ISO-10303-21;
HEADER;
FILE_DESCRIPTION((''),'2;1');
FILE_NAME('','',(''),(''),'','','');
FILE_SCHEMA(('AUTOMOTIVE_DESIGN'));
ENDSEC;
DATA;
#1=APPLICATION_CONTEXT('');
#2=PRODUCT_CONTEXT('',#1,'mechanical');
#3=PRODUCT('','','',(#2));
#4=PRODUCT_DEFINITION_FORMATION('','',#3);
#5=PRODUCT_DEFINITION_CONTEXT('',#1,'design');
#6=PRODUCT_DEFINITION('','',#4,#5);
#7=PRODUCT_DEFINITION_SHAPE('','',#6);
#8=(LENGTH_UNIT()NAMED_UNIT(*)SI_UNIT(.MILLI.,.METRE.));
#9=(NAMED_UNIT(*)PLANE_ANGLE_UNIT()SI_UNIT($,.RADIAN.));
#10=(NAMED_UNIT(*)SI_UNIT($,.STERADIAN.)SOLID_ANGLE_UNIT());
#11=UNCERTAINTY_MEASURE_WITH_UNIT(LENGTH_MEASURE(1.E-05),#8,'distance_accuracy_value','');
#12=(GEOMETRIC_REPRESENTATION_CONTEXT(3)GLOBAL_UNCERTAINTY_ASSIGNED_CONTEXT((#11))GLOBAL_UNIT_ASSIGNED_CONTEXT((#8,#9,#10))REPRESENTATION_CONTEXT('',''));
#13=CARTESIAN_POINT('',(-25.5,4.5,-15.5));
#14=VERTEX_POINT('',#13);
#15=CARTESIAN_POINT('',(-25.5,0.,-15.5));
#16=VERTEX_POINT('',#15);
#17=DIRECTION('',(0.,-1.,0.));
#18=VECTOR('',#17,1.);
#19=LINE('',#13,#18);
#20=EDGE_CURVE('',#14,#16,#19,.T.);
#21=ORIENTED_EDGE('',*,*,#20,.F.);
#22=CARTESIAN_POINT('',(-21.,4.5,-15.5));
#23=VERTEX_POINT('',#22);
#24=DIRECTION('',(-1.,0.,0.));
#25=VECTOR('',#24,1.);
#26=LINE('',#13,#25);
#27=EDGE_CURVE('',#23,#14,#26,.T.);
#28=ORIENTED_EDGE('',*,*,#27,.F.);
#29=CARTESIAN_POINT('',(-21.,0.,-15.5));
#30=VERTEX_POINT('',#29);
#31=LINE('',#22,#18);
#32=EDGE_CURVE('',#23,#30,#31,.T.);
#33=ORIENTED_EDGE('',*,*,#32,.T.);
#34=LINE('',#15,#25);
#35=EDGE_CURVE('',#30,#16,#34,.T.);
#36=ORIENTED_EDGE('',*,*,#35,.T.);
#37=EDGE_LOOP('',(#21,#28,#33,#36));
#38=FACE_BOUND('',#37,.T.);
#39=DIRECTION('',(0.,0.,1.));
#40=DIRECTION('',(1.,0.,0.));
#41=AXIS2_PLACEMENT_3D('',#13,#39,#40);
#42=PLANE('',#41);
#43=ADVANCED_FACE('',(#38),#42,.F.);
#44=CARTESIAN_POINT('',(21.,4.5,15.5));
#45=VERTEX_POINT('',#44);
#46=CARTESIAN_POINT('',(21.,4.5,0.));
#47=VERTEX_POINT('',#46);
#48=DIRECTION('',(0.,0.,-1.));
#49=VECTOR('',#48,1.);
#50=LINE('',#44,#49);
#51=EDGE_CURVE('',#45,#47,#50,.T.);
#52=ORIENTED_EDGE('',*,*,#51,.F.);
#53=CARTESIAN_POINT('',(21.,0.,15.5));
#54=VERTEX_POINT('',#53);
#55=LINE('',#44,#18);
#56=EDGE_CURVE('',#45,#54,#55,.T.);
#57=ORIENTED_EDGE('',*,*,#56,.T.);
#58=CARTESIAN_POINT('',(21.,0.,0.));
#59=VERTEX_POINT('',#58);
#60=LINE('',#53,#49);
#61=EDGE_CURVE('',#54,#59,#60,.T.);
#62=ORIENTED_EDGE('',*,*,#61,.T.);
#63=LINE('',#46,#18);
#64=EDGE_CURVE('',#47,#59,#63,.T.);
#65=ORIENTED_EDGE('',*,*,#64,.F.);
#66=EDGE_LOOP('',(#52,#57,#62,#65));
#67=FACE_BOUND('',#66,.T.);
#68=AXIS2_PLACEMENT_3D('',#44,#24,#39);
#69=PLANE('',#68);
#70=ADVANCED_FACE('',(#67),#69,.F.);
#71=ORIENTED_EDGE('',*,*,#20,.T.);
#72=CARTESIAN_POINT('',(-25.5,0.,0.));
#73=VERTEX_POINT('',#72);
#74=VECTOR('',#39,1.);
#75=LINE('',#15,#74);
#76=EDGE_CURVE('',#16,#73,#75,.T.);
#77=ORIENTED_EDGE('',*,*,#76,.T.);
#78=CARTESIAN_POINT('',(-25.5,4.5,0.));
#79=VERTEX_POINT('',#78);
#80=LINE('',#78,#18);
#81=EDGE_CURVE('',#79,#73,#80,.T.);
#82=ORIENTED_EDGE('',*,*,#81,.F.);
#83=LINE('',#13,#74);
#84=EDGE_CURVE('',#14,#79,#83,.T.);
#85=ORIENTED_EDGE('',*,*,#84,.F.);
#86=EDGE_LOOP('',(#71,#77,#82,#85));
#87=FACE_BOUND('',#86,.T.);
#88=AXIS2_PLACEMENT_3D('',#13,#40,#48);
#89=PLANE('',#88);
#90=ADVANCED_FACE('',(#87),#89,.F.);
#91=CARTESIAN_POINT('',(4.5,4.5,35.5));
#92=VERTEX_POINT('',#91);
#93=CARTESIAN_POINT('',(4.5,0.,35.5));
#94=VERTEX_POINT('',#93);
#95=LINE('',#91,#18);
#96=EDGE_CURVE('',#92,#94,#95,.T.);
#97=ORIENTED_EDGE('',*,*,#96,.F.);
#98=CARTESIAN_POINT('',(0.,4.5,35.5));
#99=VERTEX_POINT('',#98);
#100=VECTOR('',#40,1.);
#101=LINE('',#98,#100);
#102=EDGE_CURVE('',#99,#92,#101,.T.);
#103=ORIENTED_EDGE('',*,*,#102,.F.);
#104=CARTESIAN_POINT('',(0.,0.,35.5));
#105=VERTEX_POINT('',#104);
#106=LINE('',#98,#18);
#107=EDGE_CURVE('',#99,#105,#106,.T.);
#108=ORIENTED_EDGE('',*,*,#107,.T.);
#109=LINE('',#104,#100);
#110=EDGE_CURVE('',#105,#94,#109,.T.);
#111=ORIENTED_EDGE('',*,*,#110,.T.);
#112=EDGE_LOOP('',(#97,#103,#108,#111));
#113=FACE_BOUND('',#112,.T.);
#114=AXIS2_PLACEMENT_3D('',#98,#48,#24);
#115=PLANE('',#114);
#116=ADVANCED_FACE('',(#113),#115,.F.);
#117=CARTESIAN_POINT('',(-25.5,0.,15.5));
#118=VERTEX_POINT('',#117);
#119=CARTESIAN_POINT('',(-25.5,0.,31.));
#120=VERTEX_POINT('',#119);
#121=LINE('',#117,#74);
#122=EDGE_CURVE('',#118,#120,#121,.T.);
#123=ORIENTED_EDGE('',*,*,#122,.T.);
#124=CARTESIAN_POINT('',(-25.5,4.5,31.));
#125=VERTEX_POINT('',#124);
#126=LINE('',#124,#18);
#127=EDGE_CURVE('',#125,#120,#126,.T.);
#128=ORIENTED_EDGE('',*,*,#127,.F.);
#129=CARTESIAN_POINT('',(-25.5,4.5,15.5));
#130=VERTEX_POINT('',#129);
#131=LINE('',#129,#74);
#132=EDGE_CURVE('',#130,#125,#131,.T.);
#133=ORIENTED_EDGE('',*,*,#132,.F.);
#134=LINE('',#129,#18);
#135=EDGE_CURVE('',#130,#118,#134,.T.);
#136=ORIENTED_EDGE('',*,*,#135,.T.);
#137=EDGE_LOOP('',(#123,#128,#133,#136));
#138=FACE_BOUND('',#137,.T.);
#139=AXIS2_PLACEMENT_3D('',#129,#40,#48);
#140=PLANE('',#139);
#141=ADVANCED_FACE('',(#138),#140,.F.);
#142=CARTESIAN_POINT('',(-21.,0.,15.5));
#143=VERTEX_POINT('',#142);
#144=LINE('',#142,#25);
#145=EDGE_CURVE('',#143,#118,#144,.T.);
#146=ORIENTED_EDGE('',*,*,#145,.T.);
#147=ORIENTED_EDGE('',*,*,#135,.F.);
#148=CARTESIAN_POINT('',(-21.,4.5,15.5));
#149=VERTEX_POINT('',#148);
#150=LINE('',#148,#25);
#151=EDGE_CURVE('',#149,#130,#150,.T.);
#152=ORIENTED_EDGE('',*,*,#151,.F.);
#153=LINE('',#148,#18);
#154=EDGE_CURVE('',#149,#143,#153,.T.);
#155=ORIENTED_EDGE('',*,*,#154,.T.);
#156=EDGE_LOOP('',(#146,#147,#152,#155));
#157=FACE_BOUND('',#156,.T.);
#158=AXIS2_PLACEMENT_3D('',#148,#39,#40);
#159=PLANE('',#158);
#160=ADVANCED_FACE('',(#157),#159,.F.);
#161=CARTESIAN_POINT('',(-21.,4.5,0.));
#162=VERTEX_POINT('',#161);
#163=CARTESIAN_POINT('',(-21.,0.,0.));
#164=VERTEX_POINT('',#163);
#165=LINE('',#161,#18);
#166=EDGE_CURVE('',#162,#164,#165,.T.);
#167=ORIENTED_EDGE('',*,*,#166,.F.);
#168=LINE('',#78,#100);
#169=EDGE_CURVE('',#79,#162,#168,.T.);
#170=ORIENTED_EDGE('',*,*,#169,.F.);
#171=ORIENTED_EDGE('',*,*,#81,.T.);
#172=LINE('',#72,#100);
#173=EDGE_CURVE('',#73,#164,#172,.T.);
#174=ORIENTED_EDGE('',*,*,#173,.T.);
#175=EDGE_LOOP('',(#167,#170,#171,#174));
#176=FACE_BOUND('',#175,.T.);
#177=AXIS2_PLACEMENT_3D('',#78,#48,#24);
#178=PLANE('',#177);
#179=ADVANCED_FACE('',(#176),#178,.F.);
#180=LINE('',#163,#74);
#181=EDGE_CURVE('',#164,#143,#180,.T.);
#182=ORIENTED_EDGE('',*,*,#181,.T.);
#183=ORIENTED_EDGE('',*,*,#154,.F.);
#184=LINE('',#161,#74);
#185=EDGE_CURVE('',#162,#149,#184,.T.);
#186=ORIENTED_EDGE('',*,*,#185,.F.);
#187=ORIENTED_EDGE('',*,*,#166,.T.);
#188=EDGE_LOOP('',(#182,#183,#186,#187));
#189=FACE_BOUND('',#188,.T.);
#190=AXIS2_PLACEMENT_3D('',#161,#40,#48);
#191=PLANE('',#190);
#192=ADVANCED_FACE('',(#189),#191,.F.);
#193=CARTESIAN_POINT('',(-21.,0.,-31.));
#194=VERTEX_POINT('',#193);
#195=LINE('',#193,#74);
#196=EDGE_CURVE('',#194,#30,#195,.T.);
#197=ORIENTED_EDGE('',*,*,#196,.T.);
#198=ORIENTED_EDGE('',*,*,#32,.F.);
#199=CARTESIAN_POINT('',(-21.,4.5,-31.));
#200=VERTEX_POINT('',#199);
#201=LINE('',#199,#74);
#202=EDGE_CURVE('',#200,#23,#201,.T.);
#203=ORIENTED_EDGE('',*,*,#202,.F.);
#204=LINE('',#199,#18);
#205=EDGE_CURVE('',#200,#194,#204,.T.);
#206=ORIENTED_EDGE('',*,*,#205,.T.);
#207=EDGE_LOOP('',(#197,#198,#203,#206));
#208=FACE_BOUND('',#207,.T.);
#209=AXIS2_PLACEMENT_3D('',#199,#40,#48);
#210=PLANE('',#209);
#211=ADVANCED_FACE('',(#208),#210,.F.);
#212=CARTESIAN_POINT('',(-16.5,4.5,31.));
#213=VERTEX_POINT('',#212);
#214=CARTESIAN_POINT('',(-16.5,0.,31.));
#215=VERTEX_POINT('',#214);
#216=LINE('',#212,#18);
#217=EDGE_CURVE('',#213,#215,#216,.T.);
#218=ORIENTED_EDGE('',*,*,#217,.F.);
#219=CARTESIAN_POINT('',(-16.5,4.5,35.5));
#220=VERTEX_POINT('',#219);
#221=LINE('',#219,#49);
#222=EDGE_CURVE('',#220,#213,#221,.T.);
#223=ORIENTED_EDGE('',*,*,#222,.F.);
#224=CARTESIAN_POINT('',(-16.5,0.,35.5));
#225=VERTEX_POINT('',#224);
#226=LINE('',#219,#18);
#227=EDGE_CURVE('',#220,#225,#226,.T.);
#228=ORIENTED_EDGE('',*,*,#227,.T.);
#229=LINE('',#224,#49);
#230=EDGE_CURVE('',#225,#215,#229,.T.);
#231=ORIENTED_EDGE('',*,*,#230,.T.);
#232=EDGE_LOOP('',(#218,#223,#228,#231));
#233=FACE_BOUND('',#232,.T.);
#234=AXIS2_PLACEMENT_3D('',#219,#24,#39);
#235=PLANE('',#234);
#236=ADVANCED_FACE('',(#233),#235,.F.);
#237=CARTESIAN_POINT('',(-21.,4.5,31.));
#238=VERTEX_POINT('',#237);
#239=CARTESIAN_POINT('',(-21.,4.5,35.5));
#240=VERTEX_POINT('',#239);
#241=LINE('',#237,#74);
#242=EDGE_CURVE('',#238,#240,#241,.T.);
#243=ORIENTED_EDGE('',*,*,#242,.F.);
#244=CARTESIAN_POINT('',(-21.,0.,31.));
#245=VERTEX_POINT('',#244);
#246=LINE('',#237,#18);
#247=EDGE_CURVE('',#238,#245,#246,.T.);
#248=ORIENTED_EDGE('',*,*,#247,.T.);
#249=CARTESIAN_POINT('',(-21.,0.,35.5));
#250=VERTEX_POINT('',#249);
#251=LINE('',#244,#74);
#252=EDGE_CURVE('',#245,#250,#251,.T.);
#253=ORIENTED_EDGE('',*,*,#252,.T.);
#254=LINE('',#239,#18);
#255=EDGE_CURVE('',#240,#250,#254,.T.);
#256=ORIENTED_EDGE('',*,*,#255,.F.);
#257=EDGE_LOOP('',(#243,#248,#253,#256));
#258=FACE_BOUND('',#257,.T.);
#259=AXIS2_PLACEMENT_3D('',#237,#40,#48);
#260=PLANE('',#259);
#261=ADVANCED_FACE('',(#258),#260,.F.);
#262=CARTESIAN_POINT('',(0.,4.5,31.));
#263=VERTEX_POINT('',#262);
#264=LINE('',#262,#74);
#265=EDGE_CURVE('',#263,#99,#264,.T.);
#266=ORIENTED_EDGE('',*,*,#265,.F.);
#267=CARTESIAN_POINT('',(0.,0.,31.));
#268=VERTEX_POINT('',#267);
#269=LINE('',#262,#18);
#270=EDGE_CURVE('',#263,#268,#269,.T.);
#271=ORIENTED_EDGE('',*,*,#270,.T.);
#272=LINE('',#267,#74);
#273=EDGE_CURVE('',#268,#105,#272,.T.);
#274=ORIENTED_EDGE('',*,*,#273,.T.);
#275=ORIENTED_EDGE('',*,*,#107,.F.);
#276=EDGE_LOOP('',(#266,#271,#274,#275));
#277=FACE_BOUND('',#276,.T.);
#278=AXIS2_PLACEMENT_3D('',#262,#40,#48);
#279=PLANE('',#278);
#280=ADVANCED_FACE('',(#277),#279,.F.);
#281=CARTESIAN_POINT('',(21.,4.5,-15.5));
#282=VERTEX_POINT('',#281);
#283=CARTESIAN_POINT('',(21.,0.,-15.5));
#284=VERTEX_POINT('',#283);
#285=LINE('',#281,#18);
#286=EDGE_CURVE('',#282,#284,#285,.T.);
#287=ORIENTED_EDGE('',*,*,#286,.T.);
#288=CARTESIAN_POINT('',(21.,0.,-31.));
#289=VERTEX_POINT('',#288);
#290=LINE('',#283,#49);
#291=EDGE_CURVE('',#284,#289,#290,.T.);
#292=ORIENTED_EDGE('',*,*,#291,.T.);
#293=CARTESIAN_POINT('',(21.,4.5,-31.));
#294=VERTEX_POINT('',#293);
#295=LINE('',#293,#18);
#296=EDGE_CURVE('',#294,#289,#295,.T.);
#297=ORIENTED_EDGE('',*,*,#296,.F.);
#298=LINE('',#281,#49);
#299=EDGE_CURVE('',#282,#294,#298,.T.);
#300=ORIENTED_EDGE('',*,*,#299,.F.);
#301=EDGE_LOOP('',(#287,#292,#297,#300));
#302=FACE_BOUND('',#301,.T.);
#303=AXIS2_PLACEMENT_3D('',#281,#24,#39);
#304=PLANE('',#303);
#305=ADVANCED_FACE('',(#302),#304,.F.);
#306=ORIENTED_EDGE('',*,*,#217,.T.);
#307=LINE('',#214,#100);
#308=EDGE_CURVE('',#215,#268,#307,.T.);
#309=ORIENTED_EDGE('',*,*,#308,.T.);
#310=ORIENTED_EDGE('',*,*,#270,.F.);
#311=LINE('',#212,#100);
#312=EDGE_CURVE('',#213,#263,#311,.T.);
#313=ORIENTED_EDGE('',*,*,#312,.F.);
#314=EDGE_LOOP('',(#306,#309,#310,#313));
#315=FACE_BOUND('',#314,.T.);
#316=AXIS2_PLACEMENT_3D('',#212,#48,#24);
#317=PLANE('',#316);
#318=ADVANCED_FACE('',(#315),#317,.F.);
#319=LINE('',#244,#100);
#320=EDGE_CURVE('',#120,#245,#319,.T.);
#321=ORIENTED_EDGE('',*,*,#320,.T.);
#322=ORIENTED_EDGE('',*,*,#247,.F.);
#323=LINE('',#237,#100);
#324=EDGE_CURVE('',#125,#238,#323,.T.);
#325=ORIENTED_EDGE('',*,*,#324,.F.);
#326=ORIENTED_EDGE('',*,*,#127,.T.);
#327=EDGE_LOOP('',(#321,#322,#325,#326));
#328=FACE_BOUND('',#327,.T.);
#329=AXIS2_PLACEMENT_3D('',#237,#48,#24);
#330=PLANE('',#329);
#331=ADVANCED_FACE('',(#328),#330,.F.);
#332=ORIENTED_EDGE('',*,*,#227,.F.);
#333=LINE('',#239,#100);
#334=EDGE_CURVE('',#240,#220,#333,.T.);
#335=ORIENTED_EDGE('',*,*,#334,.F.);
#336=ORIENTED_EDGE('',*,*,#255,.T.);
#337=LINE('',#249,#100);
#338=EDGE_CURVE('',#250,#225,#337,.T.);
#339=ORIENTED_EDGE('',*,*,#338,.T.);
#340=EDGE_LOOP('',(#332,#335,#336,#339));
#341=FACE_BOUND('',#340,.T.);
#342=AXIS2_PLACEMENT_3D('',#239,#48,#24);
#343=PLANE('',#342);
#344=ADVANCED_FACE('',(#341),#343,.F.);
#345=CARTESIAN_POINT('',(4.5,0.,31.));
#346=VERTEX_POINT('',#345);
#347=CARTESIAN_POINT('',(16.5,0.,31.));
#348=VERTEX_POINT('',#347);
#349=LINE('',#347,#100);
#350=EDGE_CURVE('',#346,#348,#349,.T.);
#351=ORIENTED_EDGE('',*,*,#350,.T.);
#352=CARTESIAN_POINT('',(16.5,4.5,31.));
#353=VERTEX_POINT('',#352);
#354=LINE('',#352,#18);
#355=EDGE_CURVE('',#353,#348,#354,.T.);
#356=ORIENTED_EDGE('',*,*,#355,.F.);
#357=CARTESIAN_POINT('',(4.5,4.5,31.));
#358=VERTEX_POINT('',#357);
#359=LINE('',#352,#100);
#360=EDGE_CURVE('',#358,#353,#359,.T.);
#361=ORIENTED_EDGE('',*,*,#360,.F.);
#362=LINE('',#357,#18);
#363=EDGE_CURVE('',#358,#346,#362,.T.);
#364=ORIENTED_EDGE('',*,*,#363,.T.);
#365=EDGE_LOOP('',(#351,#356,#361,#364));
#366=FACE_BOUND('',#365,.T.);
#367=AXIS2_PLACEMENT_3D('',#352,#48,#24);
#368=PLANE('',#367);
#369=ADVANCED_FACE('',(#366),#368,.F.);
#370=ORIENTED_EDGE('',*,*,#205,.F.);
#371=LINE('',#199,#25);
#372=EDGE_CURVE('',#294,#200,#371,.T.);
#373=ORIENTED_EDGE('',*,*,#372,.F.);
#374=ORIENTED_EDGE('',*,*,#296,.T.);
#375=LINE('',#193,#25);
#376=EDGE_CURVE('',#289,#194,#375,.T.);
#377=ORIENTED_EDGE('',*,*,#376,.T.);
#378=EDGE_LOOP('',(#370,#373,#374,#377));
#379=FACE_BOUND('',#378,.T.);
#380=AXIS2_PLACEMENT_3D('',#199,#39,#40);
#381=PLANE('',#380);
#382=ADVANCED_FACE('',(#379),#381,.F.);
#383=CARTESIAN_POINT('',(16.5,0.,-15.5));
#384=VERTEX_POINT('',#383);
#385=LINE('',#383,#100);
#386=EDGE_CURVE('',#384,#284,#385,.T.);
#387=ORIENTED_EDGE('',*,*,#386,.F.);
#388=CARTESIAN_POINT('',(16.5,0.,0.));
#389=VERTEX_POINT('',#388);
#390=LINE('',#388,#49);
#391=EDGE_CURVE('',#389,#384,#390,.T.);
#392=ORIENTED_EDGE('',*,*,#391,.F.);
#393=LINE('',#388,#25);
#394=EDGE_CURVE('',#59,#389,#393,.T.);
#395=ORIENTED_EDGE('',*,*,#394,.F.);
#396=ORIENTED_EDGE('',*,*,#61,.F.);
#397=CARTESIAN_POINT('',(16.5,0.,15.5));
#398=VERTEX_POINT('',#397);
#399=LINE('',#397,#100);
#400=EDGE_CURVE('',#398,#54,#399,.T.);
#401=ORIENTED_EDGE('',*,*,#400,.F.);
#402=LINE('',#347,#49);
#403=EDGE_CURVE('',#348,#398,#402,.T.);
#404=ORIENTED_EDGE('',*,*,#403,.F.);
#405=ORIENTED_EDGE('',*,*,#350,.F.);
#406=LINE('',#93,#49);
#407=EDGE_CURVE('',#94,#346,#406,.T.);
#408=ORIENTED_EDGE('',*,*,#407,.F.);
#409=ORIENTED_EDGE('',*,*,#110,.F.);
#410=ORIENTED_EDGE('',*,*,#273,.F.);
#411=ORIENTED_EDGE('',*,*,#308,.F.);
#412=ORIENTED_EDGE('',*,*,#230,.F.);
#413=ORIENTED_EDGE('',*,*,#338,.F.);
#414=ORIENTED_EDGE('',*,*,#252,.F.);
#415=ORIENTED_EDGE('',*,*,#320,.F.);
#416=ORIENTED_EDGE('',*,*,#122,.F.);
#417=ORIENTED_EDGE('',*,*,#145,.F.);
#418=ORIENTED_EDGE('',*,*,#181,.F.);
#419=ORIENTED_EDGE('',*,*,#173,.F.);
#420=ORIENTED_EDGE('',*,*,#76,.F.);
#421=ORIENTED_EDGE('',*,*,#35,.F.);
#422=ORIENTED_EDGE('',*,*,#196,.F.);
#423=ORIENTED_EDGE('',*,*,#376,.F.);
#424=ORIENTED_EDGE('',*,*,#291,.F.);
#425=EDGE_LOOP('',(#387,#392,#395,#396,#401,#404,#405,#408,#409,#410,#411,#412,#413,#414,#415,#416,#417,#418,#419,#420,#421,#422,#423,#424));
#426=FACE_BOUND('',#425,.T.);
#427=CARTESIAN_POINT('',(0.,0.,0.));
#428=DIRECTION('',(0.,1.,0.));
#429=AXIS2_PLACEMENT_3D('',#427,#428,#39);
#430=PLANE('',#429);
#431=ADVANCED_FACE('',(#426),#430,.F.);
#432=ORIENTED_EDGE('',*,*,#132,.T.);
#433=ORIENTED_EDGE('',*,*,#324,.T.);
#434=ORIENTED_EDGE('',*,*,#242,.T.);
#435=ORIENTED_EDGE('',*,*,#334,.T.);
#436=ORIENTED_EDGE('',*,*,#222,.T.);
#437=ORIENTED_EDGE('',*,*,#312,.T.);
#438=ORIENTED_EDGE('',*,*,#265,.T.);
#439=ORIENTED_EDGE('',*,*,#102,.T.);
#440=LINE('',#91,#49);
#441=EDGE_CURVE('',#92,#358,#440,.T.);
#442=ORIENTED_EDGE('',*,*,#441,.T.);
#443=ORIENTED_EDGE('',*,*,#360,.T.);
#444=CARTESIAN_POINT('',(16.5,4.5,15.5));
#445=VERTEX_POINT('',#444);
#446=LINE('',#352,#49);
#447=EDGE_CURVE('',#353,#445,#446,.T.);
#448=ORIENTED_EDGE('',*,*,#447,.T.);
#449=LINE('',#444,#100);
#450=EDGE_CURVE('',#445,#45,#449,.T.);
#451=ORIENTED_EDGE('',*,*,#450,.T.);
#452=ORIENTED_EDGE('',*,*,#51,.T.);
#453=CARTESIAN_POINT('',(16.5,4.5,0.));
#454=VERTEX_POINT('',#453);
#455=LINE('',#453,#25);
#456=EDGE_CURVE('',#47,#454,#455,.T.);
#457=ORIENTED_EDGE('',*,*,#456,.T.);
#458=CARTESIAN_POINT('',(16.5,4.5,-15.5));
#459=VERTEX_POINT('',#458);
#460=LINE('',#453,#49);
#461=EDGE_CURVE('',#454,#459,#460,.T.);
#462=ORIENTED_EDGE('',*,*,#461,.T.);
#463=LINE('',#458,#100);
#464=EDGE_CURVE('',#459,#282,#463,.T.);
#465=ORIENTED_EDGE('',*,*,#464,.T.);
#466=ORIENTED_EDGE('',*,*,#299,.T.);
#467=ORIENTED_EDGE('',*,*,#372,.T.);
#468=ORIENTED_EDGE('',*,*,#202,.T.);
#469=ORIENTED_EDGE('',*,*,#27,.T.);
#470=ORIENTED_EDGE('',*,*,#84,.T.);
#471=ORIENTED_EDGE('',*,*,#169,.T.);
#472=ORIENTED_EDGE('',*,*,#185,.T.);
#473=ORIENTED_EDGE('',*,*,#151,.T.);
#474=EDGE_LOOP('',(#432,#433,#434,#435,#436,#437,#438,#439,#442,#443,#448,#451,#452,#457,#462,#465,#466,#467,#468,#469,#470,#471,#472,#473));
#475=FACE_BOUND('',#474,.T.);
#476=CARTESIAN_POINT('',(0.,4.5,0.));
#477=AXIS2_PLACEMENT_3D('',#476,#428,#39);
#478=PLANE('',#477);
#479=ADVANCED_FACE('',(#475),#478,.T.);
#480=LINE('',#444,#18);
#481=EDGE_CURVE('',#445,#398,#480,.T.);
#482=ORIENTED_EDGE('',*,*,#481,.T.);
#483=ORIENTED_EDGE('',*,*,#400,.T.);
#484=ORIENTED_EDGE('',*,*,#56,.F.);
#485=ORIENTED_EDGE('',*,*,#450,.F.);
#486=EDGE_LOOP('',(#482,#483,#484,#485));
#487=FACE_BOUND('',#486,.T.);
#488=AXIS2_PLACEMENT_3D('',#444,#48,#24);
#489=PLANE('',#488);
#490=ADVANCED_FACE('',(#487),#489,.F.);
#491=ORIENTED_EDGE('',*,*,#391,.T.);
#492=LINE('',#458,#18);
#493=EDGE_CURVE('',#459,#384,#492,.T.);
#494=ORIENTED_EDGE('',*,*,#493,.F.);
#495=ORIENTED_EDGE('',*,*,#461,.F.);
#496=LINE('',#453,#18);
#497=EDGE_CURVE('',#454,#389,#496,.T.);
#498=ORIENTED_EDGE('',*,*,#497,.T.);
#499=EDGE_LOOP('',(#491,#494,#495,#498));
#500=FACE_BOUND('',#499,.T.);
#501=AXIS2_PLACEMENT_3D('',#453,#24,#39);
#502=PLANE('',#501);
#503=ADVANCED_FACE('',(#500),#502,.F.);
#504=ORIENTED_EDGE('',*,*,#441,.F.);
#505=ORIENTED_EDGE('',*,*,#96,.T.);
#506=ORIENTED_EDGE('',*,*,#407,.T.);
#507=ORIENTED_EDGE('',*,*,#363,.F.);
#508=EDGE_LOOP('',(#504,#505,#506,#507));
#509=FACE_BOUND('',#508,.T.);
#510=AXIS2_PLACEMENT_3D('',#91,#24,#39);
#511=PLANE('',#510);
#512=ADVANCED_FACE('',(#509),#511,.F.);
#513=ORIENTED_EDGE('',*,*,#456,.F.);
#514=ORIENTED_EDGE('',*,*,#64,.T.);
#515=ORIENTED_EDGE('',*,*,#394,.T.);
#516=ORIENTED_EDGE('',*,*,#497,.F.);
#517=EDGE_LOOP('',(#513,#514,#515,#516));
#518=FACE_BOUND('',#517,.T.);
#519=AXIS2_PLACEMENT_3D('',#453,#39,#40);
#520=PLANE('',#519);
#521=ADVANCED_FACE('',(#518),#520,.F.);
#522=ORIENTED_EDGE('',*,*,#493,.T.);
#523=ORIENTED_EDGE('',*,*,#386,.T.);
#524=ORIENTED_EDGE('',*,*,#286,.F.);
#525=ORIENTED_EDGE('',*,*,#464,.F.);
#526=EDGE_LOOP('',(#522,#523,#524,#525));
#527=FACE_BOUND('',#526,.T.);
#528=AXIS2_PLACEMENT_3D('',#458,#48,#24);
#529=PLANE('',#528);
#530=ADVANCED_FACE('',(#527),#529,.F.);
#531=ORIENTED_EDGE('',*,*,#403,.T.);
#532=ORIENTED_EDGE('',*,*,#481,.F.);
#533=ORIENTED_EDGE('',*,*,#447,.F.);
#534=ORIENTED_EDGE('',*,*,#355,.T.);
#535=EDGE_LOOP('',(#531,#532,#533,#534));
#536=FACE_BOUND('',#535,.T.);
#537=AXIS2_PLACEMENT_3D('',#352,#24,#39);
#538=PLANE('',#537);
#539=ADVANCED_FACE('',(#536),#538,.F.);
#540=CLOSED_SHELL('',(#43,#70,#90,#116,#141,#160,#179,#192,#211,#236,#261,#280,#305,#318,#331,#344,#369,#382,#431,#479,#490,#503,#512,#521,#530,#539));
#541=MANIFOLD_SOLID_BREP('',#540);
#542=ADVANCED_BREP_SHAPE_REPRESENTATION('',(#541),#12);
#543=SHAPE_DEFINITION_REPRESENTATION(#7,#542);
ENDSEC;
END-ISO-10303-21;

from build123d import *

# Parameters (mm, degrees)
BOSS_EXTRUDE1_DEPTH = 4.5


with BuildPart() as part:
    # Sketch1 → Boss-Extrude1 (new body)
    with BuildSketch(Plane(origin=(0, 0, 0), x_dir=(1, 0, 0), z_dir=(0, 1, 0))):
        Polygon((-21, 0), (-21, -15.5), (-25.5, -15.5), (-25.5, -31), (-21, -31), (-21, -35.5), (-16.5, -35.5), (-16.5, -31), (0, -31), (0, -35.5), (4.5, -35.5), (4.5, -31), (16.5, -31), (16.5, -15.5), (21, -15.5), (21, 0), (16.5, 0), (16.5, 15.5), (21, 15.5), (21, 31), (-21, 31), (-21, 15.5), (-25.5, 15.5), (-25.5, 0), align=None)
    extrude(amount=BOSS_EXTRUDE1_DEPTH)


solid = part.part
